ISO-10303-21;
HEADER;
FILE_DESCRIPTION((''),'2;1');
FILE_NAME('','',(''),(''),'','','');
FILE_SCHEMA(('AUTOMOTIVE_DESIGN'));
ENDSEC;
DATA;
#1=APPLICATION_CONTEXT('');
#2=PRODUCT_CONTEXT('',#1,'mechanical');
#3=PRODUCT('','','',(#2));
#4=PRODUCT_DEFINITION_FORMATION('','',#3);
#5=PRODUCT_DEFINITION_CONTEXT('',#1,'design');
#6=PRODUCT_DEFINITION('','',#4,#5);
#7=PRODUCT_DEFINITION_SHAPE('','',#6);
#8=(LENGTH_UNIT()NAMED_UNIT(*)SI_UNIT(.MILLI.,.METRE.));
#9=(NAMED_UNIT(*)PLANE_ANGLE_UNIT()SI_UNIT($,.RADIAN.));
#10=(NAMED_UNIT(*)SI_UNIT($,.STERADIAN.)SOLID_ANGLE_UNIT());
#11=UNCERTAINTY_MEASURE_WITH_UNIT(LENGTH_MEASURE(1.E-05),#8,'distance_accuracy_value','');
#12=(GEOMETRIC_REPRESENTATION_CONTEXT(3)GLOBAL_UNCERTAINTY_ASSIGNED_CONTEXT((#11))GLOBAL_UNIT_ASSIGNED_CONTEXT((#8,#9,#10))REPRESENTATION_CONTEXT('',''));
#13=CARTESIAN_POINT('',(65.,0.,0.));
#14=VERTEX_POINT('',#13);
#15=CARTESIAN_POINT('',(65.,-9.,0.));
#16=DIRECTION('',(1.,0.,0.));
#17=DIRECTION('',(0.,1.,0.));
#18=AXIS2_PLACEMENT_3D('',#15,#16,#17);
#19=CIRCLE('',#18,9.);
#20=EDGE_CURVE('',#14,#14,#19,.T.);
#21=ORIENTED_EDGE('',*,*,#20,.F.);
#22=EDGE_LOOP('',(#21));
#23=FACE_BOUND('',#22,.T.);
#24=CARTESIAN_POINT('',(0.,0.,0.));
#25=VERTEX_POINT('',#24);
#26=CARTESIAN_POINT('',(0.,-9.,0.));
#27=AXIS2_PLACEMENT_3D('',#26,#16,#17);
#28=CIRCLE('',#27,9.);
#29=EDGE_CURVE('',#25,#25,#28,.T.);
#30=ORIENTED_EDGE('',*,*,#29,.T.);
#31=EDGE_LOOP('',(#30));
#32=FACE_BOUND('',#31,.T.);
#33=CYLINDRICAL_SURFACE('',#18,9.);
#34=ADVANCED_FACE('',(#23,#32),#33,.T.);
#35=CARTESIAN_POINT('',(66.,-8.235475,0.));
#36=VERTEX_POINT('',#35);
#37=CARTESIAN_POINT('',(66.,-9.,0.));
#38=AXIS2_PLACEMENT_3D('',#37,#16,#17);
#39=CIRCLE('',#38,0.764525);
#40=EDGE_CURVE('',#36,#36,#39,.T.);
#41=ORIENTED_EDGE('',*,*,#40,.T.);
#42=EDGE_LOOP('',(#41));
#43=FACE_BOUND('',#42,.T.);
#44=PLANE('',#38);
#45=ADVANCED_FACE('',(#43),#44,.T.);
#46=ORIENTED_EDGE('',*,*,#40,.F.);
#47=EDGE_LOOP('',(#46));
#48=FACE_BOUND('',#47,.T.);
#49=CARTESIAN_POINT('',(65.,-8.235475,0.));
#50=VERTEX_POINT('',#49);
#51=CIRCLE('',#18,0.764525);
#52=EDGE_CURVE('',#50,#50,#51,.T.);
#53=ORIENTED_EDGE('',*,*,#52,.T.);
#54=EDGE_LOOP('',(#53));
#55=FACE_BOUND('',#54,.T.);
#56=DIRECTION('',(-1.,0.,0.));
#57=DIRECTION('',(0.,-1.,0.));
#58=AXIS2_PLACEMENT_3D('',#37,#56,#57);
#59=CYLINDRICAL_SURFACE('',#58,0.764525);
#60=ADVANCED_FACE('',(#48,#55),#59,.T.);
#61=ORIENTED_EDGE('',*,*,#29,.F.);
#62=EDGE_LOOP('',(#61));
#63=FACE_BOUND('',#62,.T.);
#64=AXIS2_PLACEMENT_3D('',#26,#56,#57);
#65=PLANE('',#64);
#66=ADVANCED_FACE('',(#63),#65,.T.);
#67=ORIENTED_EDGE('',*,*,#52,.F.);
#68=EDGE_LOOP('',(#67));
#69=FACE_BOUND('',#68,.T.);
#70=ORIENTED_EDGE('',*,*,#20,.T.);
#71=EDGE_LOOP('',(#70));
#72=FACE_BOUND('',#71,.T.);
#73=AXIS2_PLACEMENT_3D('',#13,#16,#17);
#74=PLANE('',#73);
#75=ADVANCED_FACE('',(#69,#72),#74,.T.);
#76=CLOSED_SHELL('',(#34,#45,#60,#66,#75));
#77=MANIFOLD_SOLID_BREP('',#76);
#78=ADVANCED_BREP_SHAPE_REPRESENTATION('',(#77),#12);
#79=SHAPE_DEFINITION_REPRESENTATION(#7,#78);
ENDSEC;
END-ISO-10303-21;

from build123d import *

# Parameters (mm, degrees)
SKETCH1_W           = 65
SKETCH1_H           = 9
SKETCH2_R           = 0.764525434
BOSS_EXTRUDE1_DEPTH = 1


with BuildPart() as part:
    # Sketch1 → Revolve1 (revolve)
    with BuildSketch(Plane.XY):
        with Locations((32.5, -4.5)):
            Rectangle(SKETCH1_W, SKETCH1_H)
    revolve(axis=Axis((65, -9, 0), (-1, 0, 0)))

    # Sketch2 → Boss-Extrude1 (add)
    with BuildSketch(Plane(origin=(65, 0, 0), x_dir=(0, 0, -1), z_dir=(1, 0, 0))):
        with Locations((0, -9)):
            Circle(SKETCH2_R)
    extrude(amount=BOSS_EXTRUDE1_DEPTH)


solid = part.part
